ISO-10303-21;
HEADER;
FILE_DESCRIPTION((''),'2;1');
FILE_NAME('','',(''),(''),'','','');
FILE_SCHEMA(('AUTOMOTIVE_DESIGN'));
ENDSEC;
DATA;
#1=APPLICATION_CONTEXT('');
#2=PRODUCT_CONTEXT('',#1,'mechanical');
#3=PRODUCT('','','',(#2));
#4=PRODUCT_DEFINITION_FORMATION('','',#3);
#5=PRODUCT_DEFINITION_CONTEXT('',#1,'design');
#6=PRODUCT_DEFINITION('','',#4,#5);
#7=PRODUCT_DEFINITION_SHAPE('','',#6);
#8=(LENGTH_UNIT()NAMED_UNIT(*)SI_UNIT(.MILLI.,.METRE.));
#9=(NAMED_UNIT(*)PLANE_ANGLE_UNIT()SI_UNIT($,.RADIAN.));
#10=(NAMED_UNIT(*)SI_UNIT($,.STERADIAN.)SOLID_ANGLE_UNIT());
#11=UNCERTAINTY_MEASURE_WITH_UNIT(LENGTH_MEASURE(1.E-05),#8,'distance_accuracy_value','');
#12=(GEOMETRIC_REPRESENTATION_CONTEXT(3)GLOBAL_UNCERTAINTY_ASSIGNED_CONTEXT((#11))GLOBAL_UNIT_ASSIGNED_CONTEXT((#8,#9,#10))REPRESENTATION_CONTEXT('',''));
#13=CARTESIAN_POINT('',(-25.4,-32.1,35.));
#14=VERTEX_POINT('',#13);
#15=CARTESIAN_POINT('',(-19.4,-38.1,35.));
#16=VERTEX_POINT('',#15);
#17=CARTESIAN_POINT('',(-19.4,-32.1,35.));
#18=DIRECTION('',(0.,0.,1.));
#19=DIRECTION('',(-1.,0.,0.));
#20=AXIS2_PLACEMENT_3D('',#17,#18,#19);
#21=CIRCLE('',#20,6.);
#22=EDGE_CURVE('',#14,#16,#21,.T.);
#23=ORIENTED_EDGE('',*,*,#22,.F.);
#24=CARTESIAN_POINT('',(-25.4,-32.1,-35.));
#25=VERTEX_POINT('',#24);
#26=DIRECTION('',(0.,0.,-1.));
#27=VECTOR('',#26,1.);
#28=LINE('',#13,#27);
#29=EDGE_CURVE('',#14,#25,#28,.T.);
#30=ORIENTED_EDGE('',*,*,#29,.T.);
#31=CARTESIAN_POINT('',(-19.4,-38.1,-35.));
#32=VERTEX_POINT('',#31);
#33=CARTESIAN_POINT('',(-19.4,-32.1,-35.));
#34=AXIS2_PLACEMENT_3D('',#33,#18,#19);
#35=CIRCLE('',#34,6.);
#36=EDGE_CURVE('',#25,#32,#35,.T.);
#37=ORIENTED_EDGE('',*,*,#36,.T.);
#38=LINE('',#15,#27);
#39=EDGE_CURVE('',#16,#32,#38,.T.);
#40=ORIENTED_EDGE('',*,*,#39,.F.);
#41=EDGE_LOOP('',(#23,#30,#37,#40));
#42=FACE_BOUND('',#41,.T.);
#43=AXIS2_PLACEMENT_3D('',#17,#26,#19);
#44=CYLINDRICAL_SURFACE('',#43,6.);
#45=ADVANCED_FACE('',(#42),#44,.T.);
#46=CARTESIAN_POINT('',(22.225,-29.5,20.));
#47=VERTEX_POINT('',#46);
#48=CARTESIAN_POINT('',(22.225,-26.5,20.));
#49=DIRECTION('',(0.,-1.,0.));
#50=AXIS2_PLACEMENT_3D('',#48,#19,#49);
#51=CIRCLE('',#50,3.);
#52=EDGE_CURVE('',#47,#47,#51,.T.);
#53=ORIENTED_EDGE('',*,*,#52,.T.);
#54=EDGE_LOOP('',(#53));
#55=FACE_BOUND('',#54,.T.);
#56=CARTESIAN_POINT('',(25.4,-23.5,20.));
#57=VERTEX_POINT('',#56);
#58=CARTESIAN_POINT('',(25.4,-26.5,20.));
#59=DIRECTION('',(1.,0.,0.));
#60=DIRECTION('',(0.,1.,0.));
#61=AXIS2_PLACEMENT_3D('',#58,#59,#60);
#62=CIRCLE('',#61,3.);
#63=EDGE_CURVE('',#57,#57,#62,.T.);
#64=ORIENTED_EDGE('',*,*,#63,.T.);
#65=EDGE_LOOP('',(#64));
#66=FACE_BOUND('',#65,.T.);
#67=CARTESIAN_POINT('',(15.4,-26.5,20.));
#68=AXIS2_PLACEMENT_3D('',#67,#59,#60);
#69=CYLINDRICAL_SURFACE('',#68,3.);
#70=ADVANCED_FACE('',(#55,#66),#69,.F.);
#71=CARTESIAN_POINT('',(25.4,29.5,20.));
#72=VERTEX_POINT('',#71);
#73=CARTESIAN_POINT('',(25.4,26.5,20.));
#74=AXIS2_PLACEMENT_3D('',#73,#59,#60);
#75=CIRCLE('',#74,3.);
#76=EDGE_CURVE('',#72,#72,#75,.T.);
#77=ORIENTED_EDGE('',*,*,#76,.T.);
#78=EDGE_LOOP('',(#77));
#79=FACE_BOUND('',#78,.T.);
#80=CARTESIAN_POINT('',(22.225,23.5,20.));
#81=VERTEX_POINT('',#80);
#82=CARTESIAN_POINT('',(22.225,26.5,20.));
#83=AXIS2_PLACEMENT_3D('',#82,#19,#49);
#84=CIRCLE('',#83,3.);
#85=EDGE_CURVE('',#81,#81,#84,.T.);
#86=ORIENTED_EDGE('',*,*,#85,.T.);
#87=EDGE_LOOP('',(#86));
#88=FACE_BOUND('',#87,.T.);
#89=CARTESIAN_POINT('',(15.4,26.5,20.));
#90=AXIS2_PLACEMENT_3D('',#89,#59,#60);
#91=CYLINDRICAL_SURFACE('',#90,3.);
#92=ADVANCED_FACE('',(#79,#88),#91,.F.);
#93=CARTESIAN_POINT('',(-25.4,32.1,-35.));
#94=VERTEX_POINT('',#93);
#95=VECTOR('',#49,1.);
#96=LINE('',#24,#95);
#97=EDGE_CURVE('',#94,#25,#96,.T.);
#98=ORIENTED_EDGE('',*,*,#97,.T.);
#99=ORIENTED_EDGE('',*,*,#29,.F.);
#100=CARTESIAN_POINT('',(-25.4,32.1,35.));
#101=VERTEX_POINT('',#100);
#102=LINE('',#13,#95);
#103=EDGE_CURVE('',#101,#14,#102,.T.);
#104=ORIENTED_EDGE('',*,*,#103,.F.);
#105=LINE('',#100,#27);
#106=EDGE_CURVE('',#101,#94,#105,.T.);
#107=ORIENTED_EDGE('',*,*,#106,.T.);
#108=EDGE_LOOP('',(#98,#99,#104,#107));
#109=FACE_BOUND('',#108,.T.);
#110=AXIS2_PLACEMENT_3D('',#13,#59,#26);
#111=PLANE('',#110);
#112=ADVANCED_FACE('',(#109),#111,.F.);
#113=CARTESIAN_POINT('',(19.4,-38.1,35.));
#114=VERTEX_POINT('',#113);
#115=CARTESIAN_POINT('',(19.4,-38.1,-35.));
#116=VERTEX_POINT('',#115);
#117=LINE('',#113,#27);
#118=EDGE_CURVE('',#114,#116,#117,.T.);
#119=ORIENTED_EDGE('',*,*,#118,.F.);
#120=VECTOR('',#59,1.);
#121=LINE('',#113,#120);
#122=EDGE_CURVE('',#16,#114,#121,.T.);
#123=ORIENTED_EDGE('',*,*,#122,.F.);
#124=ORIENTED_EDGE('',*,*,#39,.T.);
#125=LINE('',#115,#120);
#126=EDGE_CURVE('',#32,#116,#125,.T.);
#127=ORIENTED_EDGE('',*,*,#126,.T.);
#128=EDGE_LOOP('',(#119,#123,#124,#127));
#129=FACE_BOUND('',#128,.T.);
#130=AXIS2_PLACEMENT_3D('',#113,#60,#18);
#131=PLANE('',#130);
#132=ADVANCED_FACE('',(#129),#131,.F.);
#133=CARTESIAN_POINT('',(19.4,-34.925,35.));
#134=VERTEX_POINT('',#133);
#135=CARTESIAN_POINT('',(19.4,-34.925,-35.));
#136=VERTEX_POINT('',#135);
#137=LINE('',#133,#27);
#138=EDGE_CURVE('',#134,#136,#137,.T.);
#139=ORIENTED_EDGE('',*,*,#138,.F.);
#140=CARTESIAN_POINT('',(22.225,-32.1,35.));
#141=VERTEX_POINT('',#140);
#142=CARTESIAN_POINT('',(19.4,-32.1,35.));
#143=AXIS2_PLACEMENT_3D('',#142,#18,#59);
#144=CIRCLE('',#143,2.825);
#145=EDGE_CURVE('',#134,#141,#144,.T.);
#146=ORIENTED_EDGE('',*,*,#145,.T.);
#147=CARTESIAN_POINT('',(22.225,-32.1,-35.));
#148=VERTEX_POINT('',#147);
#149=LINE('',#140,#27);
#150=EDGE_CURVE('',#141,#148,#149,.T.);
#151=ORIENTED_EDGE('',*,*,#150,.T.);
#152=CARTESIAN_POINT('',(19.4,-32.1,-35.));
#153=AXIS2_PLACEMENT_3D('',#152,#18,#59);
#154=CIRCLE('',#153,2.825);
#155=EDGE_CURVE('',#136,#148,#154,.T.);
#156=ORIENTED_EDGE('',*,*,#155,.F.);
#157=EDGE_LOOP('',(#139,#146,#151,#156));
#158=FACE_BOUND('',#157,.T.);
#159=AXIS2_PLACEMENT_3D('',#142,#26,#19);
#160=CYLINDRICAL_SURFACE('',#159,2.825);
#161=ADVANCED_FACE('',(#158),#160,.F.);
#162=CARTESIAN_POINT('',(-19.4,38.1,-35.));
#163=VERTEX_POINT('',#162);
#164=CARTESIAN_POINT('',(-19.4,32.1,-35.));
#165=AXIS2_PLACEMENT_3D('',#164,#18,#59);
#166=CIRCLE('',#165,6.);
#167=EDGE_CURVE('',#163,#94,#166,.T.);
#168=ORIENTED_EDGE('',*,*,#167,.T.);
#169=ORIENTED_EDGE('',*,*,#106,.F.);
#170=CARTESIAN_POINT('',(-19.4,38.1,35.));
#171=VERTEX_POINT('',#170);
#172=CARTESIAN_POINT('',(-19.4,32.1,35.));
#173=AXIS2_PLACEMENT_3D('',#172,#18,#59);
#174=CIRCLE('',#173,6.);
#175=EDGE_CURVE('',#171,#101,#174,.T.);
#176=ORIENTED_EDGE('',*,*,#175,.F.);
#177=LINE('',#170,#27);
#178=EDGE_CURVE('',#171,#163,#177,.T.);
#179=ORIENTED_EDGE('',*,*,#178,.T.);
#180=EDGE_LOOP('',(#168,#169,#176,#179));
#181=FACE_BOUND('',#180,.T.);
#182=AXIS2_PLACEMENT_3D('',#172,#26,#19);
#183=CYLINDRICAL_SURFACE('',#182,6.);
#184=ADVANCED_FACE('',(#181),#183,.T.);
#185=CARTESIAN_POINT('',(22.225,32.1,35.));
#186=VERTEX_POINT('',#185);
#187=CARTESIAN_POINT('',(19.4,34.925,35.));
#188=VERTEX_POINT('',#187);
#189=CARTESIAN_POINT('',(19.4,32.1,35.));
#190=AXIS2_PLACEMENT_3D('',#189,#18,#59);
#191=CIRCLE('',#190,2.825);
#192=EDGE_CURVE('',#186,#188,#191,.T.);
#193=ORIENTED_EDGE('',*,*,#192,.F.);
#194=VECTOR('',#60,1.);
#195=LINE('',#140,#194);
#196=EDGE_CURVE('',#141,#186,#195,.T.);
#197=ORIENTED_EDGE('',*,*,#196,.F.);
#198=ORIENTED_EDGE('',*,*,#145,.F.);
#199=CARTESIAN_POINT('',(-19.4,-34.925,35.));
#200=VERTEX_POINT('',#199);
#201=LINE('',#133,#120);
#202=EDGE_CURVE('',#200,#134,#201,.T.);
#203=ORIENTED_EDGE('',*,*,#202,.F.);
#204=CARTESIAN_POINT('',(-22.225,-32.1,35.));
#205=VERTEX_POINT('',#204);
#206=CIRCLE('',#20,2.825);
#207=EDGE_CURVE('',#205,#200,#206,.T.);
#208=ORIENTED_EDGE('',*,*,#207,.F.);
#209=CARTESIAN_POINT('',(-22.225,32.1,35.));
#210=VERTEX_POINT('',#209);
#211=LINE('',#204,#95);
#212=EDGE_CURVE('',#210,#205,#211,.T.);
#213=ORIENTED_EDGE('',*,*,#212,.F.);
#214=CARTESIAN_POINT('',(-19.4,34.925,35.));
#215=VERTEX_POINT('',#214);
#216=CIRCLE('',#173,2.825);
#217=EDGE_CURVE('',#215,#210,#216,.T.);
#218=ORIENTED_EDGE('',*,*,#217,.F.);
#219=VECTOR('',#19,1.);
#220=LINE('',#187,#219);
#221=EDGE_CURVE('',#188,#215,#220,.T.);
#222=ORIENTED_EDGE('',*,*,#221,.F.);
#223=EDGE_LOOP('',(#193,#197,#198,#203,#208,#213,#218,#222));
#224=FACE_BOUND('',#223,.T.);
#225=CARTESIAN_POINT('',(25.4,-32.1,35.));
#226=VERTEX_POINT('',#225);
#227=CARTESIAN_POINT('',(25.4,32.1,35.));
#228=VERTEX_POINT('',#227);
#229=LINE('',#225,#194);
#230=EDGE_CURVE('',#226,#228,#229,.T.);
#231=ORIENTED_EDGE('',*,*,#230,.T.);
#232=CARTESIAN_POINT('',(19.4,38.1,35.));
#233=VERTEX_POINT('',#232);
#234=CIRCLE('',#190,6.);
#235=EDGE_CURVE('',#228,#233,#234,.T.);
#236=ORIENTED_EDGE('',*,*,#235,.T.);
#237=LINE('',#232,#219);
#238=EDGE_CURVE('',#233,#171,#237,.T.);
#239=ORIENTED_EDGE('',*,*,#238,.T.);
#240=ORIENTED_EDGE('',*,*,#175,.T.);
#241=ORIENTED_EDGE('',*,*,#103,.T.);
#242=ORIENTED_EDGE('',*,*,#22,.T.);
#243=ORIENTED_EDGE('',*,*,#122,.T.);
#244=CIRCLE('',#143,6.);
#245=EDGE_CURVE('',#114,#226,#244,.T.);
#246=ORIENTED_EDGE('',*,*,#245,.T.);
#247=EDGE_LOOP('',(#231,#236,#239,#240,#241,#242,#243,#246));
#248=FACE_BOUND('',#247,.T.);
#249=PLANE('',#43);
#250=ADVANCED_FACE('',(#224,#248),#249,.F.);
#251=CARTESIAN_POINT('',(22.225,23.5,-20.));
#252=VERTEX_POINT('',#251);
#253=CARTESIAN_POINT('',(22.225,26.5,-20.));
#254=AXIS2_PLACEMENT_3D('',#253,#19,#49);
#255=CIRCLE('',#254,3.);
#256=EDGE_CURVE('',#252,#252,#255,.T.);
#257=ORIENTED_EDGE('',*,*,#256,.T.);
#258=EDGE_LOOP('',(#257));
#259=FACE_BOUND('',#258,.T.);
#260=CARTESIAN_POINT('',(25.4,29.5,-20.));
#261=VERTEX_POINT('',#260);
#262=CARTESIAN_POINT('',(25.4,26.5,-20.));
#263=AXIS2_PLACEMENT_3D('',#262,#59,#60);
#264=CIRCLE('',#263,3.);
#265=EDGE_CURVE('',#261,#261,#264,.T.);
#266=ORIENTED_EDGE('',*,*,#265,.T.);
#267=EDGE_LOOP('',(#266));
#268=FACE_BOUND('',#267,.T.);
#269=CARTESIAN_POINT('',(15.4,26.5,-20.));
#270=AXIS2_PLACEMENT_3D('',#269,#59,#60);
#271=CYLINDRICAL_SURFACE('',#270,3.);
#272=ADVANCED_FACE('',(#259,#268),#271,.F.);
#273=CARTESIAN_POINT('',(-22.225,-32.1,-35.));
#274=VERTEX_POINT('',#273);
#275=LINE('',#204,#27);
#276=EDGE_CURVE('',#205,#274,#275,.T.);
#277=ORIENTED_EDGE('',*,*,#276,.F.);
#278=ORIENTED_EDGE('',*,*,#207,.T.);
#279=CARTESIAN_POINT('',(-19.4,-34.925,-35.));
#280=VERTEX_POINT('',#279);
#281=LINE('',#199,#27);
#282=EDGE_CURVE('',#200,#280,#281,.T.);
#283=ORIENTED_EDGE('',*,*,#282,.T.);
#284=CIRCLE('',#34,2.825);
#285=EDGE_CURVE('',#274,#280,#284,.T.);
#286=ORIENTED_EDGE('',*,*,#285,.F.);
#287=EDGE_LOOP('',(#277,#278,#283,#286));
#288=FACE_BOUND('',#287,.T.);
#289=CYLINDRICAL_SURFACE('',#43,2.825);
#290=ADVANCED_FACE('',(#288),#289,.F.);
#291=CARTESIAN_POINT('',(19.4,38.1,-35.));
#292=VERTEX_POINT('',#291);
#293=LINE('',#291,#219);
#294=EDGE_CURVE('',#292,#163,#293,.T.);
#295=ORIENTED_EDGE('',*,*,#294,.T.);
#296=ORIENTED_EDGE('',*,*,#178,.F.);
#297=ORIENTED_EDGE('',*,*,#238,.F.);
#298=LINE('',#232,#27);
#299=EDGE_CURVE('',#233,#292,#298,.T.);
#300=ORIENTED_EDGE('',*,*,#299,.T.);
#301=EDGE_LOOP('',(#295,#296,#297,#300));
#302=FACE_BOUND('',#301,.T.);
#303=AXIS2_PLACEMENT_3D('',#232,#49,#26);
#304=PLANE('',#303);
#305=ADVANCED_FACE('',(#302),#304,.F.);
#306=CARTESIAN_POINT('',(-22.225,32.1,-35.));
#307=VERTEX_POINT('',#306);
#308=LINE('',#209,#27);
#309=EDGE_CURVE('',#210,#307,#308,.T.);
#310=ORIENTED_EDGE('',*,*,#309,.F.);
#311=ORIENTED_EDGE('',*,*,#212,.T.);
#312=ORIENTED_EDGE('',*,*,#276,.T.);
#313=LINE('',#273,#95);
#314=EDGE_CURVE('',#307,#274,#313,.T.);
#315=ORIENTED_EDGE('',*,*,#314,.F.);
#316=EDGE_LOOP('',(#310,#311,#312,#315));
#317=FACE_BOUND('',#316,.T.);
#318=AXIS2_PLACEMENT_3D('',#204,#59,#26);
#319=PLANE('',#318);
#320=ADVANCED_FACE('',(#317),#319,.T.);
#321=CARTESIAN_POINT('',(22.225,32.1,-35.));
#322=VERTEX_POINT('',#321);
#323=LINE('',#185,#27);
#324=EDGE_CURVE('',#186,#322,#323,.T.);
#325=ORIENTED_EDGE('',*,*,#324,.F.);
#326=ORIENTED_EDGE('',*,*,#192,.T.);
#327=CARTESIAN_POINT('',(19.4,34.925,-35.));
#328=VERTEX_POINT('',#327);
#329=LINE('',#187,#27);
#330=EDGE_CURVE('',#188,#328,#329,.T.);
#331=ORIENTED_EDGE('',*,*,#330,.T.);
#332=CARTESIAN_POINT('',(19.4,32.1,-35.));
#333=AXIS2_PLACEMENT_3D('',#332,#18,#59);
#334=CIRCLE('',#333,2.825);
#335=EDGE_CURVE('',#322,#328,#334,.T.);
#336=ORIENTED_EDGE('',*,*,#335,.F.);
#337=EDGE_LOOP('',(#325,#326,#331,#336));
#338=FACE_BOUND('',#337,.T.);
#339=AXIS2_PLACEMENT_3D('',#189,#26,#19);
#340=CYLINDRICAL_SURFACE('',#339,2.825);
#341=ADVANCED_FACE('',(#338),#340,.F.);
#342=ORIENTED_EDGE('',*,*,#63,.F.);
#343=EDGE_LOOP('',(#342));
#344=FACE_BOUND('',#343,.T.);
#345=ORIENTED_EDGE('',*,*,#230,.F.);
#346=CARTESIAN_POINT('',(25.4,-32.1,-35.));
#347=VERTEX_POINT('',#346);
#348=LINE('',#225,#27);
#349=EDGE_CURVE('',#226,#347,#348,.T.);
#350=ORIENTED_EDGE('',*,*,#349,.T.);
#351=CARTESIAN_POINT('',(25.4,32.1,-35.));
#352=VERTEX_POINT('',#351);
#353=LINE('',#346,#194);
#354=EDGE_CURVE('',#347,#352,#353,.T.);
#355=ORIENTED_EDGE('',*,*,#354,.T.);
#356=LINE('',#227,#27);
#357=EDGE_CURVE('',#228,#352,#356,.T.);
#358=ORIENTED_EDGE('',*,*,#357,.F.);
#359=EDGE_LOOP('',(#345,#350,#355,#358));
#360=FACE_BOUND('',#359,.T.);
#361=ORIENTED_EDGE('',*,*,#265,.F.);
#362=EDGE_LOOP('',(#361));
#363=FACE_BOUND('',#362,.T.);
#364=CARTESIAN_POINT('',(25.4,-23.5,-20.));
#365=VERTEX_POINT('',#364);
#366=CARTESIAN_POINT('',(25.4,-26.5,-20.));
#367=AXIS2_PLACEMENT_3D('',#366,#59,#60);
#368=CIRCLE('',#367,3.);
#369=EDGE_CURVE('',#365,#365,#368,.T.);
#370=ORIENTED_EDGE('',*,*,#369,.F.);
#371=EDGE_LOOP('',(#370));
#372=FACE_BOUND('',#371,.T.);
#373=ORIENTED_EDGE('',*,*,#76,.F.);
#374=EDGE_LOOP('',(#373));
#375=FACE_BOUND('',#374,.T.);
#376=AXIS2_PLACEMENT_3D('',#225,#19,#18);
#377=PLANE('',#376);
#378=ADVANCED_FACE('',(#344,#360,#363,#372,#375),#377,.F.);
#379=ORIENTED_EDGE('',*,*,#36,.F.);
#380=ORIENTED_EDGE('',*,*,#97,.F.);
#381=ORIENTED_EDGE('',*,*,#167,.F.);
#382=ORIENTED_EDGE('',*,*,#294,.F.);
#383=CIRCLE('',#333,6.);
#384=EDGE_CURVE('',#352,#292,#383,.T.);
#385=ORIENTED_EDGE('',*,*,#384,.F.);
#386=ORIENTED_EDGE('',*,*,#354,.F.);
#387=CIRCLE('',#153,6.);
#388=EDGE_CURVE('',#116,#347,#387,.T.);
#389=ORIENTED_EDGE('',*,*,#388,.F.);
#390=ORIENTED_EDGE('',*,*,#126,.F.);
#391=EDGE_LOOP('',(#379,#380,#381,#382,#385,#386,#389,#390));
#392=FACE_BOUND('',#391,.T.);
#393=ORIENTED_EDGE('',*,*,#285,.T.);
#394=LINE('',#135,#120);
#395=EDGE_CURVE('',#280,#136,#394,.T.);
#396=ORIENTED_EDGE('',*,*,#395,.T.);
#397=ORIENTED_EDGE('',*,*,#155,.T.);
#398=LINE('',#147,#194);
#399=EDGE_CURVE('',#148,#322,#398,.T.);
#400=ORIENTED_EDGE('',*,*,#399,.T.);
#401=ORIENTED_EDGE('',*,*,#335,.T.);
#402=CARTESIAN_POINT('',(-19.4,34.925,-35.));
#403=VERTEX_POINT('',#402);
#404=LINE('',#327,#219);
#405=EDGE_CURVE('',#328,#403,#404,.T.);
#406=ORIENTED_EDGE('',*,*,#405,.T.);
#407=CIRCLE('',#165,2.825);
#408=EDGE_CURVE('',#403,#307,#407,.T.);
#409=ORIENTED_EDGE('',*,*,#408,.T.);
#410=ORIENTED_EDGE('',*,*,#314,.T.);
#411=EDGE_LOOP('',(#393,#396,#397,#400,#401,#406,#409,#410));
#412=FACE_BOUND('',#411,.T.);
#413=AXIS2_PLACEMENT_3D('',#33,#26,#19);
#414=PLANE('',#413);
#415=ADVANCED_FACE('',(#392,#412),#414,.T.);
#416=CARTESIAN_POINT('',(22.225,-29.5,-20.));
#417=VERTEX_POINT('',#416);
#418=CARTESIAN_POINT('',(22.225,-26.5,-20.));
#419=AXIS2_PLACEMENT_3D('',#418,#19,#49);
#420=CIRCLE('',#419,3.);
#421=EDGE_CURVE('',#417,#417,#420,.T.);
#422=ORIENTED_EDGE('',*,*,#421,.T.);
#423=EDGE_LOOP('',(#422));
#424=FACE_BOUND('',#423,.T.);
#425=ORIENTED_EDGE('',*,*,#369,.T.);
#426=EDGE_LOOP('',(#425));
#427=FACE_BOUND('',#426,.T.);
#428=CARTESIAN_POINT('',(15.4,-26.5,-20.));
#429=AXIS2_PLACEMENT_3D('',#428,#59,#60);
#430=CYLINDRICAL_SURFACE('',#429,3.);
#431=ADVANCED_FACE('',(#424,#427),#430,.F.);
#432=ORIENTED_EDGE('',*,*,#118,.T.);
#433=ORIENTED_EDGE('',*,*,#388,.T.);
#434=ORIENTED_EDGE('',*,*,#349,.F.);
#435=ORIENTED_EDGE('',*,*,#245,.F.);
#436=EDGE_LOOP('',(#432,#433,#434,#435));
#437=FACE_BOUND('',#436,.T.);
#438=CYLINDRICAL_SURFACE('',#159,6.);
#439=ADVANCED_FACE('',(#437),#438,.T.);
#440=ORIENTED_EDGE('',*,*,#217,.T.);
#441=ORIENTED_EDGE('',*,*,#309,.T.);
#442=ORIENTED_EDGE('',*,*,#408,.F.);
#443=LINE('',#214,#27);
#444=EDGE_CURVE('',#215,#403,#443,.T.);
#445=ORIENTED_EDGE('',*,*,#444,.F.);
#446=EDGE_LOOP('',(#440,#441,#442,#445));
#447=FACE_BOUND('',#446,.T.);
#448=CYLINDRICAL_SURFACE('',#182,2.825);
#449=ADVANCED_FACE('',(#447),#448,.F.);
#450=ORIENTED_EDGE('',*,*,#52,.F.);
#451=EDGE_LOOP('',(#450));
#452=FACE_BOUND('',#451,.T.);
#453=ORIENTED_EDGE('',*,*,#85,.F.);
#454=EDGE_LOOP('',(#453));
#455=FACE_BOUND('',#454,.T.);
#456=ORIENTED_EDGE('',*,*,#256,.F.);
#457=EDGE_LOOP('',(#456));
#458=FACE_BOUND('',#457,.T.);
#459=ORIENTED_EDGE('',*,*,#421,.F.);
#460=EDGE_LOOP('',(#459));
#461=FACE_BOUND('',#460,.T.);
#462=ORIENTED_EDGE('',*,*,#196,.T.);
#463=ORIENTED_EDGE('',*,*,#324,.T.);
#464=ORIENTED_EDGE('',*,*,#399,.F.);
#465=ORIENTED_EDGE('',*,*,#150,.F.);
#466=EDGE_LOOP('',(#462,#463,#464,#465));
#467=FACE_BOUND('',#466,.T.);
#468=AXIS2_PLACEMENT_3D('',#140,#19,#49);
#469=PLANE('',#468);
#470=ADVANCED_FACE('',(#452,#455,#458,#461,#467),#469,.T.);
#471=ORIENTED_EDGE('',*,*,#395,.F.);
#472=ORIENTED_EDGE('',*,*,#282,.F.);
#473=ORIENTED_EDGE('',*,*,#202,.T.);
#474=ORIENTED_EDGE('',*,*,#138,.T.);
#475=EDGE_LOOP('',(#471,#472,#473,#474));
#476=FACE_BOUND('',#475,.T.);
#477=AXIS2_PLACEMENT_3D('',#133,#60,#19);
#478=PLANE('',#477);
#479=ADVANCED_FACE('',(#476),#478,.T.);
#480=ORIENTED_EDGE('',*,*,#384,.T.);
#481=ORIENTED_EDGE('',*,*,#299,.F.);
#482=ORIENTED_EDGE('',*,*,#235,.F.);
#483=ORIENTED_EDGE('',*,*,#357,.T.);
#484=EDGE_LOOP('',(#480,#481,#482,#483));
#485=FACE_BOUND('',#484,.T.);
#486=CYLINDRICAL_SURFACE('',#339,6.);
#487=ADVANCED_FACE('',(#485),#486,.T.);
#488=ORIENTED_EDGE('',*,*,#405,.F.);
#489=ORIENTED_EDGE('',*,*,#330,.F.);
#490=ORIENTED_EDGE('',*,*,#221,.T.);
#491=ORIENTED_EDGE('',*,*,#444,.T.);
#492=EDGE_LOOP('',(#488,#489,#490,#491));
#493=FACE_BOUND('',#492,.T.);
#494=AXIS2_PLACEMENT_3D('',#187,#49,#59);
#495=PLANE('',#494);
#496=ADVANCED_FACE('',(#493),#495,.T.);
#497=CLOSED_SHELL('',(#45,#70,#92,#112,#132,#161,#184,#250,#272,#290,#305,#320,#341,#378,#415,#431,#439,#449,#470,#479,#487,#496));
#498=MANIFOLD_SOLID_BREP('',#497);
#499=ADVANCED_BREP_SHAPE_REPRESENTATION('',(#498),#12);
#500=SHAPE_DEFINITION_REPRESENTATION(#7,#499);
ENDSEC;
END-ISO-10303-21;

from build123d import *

# Parameters (mm, degrees)
BOSS_EXTRUDE1_DEPTH = 35
SKETCH2_R           = 3
CUT_EXTRUDE1_DEPTH  = 10


with BuildPart() as part:
    # Sketch1 → Boss-Extrude1 (new, symmetric)
    with BuildSketch(Plane.XY):
        with BuildLine():
            Line((19.4, -38.1), (-19.4, -38.1))
            ThreePointArc((-19.4, -38.1), (-23.642640687, -36.342640687), (-25.4, -32.1))
            Line((-25.4, -32.1), (-25.4, 32.1))
            ThreePointArc((-25.4, 32.1), (-23.642640687, 36.342640687), (-19.4, 38.1))
            Line((-19.4, 38.1), (19.4, 38.1))
            ThreePointArc((19.4, 38.1), (23.642640687, 36.342640687), (25.4, 32.1))
            Line((25.4, 32.1), (25.4, -32.1))
            ThreePointArc((25.4, -32.1), (23.642640687, -36.342640687), (19.4, -38.1))
        make_face()
        with BuildLine():
            Line((19.4, 34.925), (-19.4, 34.925))
            ThreePointArc((-19.4, 34.925), (-21.397576657, 34.097576657), (-22.225, 32.1))
            Line((-22.225, 32.1), (-22.225, -32.1))
            ThreePointArc((-22.225, -32.1), (-21.397576657, -34.097576657), (-19.4, -34.925))
            Line((-19.4, -34.925), (19.4, -34.925))
            ThreePointArc((19.4, -34.925), (21.397576657, -34.097576657), (22.225, -32.1))
            Line((22.225, -32.1), (22.225, 32.1))
            ThreePointArc((22.225, 32.1), (21.397576657, 34.097576657), (19.4, 34.925))
        make_face(mode=Mode.SUBTRACT)
    extrude(amount=BOSS_EXTRUDE1_DEPTH, both=True)

    # Sketch2 → Cut-Extrude1 (cut)
    with BuildSketch(Plane(origin=(25.4, 0, 0), x_dir=(0, 0, -1), z_dir=(1, 0, 0))):
        with Locations(Location((-20, 26.5, 0), (0, 0, 90))):
            Circle(SKETCH2_R)
        with Locations(Location((20, 26.5, 0), (0, 0, 90))):
            Circle(SKETCH2_R)
        with Locations(Location((20, -26.5, 0), (0, 0, 90))):
            Circle(SKETCH2_R)
        with Locations(Location((-20, -26.5, 0), (0, 0, 90))):
            Circle(SKETCH2_R)
    extrude(amount=-CUT_EXTRUDE1_DEPTH, mode=Mode.SUBTRACT)


solid = part.part
